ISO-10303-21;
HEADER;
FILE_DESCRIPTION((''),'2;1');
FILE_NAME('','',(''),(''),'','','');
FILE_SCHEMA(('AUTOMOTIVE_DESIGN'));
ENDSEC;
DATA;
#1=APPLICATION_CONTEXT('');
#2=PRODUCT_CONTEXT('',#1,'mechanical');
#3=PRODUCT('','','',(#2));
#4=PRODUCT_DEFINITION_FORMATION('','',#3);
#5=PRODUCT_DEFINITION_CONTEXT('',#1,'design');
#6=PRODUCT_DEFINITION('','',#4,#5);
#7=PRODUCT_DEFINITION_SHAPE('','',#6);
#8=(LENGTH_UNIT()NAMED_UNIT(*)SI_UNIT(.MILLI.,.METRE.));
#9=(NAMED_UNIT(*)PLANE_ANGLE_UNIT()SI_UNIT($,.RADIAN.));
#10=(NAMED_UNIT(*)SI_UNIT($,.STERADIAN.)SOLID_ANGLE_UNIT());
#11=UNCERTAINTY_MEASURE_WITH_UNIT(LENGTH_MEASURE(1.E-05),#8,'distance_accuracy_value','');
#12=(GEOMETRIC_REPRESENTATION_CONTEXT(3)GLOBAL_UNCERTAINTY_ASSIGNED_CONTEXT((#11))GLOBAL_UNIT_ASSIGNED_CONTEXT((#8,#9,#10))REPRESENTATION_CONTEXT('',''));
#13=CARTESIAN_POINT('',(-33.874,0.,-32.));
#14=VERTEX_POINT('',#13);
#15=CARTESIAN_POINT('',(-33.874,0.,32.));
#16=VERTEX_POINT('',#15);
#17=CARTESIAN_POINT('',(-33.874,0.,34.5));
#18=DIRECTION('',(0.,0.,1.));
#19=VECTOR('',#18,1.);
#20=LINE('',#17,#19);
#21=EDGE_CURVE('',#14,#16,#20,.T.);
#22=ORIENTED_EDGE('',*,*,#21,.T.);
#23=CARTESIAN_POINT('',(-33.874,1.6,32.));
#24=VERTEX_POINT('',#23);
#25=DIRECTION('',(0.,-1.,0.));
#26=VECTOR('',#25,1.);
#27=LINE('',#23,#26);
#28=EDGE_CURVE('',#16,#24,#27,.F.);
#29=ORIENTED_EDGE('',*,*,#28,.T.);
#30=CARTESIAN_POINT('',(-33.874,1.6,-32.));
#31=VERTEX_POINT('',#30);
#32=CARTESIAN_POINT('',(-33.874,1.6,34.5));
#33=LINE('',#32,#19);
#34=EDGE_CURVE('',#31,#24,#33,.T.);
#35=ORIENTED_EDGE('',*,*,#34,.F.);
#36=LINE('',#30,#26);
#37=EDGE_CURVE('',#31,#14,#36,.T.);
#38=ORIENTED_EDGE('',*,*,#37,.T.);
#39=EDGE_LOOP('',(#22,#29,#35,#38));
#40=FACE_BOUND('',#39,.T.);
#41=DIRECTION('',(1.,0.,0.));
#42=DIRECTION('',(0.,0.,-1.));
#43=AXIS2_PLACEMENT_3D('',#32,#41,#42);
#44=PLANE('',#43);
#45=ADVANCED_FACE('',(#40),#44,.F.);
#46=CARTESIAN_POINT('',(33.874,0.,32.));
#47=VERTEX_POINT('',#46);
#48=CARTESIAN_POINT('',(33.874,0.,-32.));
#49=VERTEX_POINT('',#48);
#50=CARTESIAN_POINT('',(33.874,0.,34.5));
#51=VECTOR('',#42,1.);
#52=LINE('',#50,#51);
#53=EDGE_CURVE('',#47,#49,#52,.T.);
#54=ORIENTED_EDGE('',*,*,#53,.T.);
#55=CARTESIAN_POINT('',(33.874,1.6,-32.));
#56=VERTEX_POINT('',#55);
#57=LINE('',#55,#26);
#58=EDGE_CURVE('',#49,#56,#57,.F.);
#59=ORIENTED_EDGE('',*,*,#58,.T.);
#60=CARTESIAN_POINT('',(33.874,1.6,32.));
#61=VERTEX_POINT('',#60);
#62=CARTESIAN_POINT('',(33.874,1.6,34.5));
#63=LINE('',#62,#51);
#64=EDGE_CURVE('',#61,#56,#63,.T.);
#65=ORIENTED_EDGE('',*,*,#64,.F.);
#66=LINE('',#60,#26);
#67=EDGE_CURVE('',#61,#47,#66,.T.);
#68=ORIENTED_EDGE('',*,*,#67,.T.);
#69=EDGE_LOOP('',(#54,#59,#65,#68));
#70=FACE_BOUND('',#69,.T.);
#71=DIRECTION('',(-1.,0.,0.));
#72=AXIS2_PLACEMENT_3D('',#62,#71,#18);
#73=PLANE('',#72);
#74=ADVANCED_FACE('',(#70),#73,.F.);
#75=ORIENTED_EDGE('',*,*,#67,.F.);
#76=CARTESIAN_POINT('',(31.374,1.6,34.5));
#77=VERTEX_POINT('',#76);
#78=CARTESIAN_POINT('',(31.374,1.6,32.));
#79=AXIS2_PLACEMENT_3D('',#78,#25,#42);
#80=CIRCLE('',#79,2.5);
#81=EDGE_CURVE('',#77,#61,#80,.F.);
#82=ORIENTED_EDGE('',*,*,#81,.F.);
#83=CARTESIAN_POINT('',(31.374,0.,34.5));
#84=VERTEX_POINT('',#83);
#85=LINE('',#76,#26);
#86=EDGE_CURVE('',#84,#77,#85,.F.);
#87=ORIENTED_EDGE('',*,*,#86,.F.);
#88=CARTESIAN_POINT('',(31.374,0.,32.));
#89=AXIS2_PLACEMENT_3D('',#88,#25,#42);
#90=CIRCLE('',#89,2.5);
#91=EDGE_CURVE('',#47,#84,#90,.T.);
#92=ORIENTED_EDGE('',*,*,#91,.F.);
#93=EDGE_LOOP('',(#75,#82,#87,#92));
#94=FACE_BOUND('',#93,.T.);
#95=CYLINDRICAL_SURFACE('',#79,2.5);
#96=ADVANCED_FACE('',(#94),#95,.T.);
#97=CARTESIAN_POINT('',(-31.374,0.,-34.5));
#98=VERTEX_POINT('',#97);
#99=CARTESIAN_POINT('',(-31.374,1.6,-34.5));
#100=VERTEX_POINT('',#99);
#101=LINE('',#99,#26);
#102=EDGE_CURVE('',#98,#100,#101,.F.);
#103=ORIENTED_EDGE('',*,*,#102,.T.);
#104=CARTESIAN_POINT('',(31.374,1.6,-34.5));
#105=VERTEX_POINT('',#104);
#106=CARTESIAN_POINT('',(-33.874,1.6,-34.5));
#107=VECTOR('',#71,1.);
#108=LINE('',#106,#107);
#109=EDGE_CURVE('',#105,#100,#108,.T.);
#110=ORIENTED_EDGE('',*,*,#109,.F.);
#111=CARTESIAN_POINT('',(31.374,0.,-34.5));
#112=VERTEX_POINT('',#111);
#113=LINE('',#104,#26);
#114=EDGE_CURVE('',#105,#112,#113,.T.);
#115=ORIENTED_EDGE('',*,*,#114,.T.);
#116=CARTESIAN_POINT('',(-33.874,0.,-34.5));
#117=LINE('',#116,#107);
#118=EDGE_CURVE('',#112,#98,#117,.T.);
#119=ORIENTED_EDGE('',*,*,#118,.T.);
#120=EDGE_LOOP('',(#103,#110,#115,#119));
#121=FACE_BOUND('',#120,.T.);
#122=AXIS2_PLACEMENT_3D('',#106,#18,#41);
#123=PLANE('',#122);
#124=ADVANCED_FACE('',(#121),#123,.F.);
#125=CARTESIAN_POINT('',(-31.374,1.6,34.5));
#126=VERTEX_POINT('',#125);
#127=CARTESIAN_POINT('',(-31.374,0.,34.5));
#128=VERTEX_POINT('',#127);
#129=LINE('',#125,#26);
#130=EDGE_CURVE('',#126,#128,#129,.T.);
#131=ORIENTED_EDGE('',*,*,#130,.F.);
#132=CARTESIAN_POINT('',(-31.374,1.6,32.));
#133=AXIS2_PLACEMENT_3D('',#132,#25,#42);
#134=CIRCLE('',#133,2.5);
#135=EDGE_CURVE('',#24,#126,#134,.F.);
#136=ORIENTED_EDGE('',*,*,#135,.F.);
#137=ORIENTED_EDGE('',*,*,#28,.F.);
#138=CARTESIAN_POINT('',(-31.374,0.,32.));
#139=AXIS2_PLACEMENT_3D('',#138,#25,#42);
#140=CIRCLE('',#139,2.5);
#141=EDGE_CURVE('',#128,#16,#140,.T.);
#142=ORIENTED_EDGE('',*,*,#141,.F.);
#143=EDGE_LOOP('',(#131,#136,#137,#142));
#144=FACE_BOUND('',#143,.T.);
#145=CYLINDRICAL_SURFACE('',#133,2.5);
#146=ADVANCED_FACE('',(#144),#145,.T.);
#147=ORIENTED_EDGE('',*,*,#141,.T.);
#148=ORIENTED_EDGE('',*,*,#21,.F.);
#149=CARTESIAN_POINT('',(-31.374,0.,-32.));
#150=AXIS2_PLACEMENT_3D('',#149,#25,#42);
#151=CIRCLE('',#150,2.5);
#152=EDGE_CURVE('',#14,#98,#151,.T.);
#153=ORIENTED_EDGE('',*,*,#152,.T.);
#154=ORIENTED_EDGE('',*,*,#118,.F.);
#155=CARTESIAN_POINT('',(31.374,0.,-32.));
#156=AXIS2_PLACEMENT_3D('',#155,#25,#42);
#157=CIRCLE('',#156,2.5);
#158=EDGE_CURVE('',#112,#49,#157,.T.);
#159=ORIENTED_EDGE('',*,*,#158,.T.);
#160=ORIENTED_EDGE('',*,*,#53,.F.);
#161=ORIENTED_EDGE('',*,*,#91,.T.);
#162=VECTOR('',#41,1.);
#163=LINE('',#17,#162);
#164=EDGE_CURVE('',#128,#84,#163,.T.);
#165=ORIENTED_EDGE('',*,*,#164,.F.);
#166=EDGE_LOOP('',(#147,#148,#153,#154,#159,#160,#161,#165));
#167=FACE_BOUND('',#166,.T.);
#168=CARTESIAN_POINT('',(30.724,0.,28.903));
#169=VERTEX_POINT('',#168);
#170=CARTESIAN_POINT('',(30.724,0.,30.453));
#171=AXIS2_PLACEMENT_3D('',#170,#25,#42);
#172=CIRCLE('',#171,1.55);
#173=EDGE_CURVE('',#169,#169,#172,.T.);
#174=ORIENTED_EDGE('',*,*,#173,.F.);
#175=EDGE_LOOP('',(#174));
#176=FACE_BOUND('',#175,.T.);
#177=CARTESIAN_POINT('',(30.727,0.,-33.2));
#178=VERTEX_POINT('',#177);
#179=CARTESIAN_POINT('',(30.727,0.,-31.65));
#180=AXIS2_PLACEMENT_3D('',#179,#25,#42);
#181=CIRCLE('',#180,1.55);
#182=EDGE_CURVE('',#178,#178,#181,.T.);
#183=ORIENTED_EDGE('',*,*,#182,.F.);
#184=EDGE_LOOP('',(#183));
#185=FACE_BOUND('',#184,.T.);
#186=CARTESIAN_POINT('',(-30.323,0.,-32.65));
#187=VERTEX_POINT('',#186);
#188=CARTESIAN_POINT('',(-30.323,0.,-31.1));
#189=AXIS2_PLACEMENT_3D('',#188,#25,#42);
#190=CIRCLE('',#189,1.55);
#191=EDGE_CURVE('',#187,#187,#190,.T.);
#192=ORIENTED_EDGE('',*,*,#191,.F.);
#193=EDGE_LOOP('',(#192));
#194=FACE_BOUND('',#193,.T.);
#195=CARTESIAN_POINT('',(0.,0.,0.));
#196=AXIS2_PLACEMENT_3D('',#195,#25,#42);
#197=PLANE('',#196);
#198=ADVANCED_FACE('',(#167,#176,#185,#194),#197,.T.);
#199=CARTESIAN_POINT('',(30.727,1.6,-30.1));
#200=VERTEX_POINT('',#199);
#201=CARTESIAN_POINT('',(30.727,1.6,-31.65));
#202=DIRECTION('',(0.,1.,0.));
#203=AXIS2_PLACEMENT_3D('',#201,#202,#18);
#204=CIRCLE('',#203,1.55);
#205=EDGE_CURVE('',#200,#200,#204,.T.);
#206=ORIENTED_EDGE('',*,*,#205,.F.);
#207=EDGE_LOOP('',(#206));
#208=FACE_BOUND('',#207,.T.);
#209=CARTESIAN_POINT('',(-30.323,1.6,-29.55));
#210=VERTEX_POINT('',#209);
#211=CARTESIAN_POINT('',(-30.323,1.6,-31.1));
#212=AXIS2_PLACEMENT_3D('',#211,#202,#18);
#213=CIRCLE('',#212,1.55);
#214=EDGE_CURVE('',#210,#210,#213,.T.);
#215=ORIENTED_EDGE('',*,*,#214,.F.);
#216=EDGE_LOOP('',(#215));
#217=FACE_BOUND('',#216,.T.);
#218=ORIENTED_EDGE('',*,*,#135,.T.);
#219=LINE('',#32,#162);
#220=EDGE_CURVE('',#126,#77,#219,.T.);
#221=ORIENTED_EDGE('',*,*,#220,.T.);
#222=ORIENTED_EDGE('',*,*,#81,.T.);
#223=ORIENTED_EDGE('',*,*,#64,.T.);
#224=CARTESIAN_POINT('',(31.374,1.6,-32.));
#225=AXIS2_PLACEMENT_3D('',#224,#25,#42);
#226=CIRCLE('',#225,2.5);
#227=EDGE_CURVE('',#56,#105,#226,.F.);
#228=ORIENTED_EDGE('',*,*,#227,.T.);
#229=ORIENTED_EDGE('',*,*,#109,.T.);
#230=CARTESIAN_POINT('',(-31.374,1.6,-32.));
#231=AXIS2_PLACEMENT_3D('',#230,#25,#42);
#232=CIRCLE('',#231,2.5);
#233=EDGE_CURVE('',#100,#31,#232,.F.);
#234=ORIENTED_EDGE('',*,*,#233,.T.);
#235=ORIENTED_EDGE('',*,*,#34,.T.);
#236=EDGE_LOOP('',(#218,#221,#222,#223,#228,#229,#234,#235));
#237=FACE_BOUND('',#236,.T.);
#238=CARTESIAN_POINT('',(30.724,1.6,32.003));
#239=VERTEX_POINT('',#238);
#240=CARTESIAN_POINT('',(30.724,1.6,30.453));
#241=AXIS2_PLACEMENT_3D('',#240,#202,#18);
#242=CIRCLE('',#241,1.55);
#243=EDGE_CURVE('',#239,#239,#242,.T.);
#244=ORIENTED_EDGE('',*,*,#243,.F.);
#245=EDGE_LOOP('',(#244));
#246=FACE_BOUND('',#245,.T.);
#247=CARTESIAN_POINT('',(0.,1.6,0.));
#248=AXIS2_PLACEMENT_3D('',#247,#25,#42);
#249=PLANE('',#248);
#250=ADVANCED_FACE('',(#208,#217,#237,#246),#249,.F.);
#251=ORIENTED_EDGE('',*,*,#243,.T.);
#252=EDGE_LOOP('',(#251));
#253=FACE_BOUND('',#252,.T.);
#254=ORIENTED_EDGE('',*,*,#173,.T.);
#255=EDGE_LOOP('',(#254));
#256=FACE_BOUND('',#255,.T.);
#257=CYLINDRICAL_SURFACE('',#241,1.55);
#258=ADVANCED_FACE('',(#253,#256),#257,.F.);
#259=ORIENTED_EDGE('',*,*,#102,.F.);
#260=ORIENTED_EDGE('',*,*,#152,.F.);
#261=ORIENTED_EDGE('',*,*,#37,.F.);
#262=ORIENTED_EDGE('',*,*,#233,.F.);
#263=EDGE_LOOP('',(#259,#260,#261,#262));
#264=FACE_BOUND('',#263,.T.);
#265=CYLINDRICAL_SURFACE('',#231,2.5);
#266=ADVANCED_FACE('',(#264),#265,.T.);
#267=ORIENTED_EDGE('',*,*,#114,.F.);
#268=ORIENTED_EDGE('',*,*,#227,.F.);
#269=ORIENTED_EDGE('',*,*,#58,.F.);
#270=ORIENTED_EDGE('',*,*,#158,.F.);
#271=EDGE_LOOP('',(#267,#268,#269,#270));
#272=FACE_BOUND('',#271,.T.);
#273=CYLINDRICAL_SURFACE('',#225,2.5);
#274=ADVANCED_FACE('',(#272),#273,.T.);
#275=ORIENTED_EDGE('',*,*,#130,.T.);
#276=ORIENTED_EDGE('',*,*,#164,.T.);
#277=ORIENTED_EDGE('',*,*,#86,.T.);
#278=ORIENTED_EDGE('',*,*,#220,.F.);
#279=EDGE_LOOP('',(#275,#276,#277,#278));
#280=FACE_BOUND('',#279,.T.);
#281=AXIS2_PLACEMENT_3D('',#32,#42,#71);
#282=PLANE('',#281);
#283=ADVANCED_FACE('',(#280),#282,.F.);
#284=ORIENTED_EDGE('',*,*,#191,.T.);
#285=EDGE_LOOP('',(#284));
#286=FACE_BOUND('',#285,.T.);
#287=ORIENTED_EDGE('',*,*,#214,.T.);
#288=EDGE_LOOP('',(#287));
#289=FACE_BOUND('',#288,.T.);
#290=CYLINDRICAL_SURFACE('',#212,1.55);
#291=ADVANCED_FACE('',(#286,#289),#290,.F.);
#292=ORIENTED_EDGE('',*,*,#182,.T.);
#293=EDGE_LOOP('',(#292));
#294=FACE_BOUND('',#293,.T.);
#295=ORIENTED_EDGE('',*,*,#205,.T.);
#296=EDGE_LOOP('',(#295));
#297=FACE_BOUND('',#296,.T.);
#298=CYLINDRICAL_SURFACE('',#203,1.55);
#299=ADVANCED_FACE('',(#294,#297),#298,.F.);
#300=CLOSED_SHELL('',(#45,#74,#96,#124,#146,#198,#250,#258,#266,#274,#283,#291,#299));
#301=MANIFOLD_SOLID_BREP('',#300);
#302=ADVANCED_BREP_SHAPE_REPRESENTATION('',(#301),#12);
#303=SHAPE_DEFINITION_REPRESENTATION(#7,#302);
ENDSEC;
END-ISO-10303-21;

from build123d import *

# Parameters (mm, degrees)
SKETCH1_W                  = 67.748
SKETCH1_H                  = 69
BOSS_EXTRUDE1_DEPTH        = 1.6
M2_5_CLEARANCE_HOLE2_D     = 3.1
M2_5_CLEARANCE_HOLE2_DEPTH = 50.8
M2_5_CLEARANCE_HOLE2_TIP   = 0.931333959
FILLET1_R                  = 2.5


with BuildPart() as part:
    # Sketch1 → Boss-Extrude1 (new body)
    with BuildSketch(Plane(origin=(0, 0, 0), x_dir=(1, 0, 0), z_dir=(0, 1, 0))):
        Rectangle(SKETCH1_W, SKETCH1_H)
    extrude(amount=BOSS_EXTRUDE1_DEPTH)

    # M2.5 Clearance Hole2
    with Locations(Plane(origin=(0, 1.6, 0), x_dir=(1, 0, 0), z_dir=(0, 1, 0))):
        with Locations((30.724, -30.453), (-30.323, 31.1), (30.727, 31.65)):
            Hole(M2_5_CLEARANCE_HOLE2_D / 2, depth=M2_5_CLEARANCE_HOLE2_DEPTH)
            with Locations((0, 0, -(M2_5_CLEARANCE_HOLE2_DEPTH + M2_5_CLEARANCE_HOLE2_TIP / 2))):  # 118° drill point
                Cone(0, M2_5_CLEARANCE_HOLE2_D / 2, M2_5_CLEARANCE_HOLE2_TIP, mode=Mode.SUBTRACT)

    # Fillet1
    fillet1_edges = [part.edges().sort_by_distance(p)[0] for p in [
        (33.874, 0.8, 34.5),
        (-33.874, 0.8, 34.5),
        (-33.874, 0.8, -34.5),
        (33.874, 0.8, -34.5),
    ]]
    fillet(fillet1_edges, radius=FILLET1_R)


solid = part.part
